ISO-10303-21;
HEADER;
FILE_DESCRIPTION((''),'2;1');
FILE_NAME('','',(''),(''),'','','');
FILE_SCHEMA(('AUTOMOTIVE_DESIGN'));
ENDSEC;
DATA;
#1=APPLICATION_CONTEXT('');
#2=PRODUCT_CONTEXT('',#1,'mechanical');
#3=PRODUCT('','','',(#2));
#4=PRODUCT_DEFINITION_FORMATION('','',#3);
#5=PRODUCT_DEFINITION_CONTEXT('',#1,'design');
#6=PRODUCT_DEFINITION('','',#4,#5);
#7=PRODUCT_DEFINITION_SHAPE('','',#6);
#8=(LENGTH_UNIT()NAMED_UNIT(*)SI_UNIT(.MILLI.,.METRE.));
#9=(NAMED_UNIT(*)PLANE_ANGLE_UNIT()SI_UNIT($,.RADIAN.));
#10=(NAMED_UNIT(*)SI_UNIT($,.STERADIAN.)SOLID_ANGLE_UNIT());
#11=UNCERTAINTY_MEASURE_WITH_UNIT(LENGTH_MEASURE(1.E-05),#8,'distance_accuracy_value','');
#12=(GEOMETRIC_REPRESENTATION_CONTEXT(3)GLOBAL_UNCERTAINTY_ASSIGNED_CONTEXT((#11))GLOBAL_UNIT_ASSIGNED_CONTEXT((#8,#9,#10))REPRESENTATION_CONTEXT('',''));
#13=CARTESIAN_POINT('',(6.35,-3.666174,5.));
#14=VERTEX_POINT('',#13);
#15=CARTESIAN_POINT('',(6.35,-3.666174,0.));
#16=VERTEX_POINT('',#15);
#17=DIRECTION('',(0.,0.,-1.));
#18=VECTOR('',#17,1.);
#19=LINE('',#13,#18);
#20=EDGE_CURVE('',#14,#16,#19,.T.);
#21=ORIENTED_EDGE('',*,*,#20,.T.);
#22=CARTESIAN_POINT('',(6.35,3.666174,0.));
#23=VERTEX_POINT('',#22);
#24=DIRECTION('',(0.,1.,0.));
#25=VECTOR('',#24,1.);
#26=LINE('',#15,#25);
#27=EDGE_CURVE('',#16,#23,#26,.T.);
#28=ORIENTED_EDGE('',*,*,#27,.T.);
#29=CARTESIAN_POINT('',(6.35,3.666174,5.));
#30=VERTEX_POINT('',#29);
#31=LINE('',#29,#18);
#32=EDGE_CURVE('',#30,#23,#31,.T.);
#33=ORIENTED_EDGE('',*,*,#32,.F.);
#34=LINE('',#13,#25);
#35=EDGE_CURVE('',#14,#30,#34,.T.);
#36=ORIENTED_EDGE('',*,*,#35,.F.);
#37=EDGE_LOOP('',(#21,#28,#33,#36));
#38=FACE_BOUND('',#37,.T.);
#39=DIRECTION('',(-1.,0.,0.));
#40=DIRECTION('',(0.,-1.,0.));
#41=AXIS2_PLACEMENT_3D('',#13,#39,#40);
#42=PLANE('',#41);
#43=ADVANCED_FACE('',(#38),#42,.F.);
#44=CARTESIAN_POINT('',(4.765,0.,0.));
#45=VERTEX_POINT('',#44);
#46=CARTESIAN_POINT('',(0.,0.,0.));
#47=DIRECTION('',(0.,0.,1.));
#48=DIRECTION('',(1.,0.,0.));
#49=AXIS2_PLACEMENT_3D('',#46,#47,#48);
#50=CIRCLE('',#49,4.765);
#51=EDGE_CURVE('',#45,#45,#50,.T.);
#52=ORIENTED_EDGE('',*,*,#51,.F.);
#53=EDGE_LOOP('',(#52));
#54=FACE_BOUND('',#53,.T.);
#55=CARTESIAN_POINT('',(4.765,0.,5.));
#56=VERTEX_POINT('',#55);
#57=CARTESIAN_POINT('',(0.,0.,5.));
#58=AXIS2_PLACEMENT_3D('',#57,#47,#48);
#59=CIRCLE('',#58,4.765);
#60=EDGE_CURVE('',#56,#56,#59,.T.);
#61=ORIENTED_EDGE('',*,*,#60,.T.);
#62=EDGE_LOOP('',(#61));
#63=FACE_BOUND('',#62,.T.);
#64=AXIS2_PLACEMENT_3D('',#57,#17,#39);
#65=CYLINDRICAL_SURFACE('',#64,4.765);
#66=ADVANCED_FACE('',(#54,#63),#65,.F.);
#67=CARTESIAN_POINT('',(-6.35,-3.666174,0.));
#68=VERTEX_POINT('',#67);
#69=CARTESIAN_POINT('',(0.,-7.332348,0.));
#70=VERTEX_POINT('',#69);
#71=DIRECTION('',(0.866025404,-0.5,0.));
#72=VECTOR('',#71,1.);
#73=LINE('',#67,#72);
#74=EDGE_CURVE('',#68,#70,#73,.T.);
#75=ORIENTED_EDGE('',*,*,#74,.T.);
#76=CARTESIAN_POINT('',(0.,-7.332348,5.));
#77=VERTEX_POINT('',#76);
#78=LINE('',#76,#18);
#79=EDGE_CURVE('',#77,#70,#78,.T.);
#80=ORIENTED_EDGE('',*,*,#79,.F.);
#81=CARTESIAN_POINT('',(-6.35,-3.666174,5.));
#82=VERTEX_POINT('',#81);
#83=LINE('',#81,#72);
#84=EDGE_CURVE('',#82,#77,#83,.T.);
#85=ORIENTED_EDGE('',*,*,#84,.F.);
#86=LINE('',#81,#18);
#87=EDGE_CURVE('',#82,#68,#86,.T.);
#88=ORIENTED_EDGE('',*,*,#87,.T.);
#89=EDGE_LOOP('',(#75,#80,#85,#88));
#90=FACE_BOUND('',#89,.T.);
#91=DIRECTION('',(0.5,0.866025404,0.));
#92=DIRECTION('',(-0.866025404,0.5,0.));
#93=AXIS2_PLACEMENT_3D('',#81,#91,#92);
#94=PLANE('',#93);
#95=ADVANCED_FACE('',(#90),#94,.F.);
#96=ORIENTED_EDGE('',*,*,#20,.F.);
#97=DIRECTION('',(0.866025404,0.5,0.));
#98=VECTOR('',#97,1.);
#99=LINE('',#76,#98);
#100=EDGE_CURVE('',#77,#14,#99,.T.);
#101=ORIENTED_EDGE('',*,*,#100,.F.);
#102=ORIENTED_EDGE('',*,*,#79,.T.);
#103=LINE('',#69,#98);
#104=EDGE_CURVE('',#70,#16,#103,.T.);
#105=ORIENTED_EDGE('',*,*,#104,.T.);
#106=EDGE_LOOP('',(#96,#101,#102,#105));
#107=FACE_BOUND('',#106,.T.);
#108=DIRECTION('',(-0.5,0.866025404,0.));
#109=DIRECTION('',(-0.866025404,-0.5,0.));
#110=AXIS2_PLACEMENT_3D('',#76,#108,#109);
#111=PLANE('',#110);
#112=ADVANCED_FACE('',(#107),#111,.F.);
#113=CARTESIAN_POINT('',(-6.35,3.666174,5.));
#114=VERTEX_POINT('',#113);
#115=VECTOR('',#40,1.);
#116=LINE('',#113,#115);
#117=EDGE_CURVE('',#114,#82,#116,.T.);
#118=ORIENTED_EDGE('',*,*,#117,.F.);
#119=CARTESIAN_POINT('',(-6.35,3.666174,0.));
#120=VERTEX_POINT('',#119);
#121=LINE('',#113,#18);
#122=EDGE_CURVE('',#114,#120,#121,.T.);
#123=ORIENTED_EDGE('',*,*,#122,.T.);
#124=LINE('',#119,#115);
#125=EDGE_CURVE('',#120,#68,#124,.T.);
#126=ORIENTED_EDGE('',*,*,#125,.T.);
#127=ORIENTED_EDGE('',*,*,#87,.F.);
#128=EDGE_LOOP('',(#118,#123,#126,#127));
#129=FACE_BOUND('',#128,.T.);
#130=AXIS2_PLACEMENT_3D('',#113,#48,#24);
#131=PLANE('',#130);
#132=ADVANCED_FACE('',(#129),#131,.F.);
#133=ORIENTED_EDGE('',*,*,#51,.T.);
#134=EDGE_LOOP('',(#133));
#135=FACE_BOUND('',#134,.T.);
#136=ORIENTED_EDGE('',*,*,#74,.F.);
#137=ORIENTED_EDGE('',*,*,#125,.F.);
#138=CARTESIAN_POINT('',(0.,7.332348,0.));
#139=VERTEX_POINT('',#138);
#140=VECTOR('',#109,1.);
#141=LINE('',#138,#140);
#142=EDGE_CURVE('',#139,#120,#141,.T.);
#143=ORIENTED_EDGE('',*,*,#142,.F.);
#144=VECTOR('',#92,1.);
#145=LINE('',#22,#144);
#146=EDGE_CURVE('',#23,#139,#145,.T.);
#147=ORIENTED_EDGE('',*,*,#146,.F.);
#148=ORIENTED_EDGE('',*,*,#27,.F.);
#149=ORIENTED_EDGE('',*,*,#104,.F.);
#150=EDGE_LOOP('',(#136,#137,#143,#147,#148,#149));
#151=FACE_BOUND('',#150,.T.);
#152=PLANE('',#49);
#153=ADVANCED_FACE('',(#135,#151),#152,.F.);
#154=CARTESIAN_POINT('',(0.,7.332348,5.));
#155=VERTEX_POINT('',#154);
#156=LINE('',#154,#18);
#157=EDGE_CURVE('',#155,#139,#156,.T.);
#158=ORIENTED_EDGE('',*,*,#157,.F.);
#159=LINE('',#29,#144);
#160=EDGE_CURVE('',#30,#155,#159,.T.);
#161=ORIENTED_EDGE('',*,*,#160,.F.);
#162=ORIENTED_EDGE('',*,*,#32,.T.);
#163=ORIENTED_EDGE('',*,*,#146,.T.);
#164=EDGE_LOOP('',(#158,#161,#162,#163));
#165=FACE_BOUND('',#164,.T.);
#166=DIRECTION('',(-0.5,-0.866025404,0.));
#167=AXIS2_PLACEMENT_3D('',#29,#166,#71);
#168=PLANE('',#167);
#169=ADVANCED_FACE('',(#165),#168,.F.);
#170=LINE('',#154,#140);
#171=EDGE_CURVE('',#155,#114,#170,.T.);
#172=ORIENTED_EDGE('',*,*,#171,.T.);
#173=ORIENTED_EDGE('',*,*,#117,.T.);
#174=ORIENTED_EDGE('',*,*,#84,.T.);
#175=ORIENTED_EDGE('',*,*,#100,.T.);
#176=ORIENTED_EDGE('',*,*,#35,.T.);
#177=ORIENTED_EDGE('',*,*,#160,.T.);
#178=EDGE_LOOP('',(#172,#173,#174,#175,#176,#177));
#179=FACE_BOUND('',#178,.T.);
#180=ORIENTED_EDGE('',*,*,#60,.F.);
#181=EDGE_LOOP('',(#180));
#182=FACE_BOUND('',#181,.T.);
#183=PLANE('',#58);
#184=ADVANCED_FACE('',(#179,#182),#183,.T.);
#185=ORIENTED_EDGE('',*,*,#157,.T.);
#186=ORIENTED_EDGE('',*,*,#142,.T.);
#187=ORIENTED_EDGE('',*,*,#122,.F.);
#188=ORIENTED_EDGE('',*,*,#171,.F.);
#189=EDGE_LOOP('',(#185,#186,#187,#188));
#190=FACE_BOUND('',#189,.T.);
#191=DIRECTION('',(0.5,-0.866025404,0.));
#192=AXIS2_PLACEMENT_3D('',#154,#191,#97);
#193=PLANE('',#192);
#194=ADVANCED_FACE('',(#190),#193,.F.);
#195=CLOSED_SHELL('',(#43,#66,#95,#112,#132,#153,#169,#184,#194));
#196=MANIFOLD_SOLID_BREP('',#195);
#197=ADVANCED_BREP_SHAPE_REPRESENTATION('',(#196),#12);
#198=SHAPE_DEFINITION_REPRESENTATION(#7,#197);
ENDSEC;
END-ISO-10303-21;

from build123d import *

# Parameters (mm, degrees)
CROQUIS1_R              = 4.765
SALIENTE_EXTRUIR1_DEPTH = 5


with BuildPart() as part:
    # Croquis1 → Saliente-Extruir1 (new body)
    with BuildSketch(Plane.XY):
        Polygon((-6.35, -3.666174209), (0, -7.332348419), (6.35, -3.666174209), (6.35, 3.666174209), (0, 7.332348419), (-6.35, 3.666174209), align=None)
        Circle(CROQUIS1_R, mode=Mode.SUBTRACT)
    extrude(amount=SALIENTE_EXTRUIR1_DEPTH)


solid = part.part
